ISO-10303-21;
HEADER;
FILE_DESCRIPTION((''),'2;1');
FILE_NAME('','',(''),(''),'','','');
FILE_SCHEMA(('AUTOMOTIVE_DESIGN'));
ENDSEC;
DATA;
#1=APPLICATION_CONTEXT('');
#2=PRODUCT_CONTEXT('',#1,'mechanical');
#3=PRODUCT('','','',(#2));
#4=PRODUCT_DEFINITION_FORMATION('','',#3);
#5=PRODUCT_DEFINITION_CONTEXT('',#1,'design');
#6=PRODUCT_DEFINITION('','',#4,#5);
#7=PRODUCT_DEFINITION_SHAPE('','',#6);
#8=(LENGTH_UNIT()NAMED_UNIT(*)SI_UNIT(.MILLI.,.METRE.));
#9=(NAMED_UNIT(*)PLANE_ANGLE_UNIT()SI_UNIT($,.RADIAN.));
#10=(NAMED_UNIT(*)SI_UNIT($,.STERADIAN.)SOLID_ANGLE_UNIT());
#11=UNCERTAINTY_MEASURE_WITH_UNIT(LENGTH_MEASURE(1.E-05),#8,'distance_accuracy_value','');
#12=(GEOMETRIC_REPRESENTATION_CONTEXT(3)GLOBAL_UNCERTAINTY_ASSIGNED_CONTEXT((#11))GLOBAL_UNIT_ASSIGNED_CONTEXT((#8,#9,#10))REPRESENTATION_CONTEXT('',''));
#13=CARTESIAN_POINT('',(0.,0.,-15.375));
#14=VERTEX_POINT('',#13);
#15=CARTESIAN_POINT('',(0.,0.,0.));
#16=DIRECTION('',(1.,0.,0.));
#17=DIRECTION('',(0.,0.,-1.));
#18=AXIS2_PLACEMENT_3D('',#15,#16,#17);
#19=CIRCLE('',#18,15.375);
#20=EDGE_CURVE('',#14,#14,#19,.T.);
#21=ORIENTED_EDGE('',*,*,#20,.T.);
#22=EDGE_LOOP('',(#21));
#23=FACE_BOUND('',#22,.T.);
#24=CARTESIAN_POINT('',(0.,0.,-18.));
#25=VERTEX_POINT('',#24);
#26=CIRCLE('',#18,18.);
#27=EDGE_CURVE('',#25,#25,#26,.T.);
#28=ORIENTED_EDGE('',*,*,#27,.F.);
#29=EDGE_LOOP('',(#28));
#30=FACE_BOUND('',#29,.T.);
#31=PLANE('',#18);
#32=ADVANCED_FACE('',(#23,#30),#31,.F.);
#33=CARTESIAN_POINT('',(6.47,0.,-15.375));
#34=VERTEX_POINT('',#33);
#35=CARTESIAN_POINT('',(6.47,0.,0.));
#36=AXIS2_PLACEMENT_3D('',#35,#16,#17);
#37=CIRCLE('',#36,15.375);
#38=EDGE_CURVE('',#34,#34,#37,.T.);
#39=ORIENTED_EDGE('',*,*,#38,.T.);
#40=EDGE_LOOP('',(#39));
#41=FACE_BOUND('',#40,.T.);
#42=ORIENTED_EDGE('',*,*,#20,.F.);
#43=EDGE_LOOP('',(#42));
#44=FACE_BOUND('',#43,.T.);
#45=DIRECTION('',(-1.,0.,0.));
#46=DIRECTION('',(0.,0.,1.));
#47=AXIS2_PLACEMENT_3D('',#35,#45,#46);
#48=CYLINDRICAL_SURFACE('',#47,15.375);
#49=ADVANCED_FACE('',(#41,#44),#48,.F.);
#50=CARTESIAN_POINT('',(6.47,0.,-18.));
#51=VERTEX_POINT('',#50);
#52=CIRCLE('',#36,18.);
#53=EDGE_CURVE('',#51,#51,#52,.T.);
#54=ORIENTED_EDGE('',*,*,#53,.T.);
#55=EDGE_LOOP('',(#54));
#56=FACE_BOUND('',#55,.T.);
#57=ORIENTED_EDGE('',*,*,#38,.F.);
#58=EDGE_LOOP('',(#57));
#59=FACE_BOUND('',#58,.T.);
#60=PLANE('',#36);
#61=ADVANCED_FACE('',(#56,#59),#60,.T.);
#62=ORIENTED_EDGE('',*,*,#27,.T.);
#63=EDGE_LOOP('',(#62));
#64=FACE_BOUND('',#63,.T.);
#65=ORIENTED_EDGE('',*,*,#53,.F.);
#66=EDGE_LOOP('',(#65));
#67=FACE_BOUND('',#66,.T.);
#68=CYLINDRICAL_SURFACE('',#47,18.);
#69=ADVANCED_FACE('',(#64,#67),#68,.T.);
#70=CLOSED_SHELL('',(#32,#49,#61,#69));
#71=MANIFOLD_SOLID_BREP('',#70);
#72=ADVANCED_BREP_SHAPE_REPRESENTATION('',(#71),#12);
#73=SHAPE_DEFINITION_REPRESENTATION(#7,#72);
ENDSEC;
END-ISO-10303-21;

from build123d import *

# Parameters (mm, degrees)
SKETCH1_R           = 18
SKETCH1_R_2         = 15.375
BOSS_EXTRUDE1_DEPTH = 6.47


with BuildPart() as part:
    # Sketch1 → Boss-Extrude1 (new body)
    with BuildSketch(Plane(origin=(0, 0, 0), x_dir=(0, 0, -1), z_dir=(1, 0, 0))):
        Circle(SKETCH1_R)
        Circle(SKETCH1_R_2, mode=Mode.SUBTRACT)
    extrude(amount=BOSS_EXTRUDE1_DEPTH)


solid = part.part
